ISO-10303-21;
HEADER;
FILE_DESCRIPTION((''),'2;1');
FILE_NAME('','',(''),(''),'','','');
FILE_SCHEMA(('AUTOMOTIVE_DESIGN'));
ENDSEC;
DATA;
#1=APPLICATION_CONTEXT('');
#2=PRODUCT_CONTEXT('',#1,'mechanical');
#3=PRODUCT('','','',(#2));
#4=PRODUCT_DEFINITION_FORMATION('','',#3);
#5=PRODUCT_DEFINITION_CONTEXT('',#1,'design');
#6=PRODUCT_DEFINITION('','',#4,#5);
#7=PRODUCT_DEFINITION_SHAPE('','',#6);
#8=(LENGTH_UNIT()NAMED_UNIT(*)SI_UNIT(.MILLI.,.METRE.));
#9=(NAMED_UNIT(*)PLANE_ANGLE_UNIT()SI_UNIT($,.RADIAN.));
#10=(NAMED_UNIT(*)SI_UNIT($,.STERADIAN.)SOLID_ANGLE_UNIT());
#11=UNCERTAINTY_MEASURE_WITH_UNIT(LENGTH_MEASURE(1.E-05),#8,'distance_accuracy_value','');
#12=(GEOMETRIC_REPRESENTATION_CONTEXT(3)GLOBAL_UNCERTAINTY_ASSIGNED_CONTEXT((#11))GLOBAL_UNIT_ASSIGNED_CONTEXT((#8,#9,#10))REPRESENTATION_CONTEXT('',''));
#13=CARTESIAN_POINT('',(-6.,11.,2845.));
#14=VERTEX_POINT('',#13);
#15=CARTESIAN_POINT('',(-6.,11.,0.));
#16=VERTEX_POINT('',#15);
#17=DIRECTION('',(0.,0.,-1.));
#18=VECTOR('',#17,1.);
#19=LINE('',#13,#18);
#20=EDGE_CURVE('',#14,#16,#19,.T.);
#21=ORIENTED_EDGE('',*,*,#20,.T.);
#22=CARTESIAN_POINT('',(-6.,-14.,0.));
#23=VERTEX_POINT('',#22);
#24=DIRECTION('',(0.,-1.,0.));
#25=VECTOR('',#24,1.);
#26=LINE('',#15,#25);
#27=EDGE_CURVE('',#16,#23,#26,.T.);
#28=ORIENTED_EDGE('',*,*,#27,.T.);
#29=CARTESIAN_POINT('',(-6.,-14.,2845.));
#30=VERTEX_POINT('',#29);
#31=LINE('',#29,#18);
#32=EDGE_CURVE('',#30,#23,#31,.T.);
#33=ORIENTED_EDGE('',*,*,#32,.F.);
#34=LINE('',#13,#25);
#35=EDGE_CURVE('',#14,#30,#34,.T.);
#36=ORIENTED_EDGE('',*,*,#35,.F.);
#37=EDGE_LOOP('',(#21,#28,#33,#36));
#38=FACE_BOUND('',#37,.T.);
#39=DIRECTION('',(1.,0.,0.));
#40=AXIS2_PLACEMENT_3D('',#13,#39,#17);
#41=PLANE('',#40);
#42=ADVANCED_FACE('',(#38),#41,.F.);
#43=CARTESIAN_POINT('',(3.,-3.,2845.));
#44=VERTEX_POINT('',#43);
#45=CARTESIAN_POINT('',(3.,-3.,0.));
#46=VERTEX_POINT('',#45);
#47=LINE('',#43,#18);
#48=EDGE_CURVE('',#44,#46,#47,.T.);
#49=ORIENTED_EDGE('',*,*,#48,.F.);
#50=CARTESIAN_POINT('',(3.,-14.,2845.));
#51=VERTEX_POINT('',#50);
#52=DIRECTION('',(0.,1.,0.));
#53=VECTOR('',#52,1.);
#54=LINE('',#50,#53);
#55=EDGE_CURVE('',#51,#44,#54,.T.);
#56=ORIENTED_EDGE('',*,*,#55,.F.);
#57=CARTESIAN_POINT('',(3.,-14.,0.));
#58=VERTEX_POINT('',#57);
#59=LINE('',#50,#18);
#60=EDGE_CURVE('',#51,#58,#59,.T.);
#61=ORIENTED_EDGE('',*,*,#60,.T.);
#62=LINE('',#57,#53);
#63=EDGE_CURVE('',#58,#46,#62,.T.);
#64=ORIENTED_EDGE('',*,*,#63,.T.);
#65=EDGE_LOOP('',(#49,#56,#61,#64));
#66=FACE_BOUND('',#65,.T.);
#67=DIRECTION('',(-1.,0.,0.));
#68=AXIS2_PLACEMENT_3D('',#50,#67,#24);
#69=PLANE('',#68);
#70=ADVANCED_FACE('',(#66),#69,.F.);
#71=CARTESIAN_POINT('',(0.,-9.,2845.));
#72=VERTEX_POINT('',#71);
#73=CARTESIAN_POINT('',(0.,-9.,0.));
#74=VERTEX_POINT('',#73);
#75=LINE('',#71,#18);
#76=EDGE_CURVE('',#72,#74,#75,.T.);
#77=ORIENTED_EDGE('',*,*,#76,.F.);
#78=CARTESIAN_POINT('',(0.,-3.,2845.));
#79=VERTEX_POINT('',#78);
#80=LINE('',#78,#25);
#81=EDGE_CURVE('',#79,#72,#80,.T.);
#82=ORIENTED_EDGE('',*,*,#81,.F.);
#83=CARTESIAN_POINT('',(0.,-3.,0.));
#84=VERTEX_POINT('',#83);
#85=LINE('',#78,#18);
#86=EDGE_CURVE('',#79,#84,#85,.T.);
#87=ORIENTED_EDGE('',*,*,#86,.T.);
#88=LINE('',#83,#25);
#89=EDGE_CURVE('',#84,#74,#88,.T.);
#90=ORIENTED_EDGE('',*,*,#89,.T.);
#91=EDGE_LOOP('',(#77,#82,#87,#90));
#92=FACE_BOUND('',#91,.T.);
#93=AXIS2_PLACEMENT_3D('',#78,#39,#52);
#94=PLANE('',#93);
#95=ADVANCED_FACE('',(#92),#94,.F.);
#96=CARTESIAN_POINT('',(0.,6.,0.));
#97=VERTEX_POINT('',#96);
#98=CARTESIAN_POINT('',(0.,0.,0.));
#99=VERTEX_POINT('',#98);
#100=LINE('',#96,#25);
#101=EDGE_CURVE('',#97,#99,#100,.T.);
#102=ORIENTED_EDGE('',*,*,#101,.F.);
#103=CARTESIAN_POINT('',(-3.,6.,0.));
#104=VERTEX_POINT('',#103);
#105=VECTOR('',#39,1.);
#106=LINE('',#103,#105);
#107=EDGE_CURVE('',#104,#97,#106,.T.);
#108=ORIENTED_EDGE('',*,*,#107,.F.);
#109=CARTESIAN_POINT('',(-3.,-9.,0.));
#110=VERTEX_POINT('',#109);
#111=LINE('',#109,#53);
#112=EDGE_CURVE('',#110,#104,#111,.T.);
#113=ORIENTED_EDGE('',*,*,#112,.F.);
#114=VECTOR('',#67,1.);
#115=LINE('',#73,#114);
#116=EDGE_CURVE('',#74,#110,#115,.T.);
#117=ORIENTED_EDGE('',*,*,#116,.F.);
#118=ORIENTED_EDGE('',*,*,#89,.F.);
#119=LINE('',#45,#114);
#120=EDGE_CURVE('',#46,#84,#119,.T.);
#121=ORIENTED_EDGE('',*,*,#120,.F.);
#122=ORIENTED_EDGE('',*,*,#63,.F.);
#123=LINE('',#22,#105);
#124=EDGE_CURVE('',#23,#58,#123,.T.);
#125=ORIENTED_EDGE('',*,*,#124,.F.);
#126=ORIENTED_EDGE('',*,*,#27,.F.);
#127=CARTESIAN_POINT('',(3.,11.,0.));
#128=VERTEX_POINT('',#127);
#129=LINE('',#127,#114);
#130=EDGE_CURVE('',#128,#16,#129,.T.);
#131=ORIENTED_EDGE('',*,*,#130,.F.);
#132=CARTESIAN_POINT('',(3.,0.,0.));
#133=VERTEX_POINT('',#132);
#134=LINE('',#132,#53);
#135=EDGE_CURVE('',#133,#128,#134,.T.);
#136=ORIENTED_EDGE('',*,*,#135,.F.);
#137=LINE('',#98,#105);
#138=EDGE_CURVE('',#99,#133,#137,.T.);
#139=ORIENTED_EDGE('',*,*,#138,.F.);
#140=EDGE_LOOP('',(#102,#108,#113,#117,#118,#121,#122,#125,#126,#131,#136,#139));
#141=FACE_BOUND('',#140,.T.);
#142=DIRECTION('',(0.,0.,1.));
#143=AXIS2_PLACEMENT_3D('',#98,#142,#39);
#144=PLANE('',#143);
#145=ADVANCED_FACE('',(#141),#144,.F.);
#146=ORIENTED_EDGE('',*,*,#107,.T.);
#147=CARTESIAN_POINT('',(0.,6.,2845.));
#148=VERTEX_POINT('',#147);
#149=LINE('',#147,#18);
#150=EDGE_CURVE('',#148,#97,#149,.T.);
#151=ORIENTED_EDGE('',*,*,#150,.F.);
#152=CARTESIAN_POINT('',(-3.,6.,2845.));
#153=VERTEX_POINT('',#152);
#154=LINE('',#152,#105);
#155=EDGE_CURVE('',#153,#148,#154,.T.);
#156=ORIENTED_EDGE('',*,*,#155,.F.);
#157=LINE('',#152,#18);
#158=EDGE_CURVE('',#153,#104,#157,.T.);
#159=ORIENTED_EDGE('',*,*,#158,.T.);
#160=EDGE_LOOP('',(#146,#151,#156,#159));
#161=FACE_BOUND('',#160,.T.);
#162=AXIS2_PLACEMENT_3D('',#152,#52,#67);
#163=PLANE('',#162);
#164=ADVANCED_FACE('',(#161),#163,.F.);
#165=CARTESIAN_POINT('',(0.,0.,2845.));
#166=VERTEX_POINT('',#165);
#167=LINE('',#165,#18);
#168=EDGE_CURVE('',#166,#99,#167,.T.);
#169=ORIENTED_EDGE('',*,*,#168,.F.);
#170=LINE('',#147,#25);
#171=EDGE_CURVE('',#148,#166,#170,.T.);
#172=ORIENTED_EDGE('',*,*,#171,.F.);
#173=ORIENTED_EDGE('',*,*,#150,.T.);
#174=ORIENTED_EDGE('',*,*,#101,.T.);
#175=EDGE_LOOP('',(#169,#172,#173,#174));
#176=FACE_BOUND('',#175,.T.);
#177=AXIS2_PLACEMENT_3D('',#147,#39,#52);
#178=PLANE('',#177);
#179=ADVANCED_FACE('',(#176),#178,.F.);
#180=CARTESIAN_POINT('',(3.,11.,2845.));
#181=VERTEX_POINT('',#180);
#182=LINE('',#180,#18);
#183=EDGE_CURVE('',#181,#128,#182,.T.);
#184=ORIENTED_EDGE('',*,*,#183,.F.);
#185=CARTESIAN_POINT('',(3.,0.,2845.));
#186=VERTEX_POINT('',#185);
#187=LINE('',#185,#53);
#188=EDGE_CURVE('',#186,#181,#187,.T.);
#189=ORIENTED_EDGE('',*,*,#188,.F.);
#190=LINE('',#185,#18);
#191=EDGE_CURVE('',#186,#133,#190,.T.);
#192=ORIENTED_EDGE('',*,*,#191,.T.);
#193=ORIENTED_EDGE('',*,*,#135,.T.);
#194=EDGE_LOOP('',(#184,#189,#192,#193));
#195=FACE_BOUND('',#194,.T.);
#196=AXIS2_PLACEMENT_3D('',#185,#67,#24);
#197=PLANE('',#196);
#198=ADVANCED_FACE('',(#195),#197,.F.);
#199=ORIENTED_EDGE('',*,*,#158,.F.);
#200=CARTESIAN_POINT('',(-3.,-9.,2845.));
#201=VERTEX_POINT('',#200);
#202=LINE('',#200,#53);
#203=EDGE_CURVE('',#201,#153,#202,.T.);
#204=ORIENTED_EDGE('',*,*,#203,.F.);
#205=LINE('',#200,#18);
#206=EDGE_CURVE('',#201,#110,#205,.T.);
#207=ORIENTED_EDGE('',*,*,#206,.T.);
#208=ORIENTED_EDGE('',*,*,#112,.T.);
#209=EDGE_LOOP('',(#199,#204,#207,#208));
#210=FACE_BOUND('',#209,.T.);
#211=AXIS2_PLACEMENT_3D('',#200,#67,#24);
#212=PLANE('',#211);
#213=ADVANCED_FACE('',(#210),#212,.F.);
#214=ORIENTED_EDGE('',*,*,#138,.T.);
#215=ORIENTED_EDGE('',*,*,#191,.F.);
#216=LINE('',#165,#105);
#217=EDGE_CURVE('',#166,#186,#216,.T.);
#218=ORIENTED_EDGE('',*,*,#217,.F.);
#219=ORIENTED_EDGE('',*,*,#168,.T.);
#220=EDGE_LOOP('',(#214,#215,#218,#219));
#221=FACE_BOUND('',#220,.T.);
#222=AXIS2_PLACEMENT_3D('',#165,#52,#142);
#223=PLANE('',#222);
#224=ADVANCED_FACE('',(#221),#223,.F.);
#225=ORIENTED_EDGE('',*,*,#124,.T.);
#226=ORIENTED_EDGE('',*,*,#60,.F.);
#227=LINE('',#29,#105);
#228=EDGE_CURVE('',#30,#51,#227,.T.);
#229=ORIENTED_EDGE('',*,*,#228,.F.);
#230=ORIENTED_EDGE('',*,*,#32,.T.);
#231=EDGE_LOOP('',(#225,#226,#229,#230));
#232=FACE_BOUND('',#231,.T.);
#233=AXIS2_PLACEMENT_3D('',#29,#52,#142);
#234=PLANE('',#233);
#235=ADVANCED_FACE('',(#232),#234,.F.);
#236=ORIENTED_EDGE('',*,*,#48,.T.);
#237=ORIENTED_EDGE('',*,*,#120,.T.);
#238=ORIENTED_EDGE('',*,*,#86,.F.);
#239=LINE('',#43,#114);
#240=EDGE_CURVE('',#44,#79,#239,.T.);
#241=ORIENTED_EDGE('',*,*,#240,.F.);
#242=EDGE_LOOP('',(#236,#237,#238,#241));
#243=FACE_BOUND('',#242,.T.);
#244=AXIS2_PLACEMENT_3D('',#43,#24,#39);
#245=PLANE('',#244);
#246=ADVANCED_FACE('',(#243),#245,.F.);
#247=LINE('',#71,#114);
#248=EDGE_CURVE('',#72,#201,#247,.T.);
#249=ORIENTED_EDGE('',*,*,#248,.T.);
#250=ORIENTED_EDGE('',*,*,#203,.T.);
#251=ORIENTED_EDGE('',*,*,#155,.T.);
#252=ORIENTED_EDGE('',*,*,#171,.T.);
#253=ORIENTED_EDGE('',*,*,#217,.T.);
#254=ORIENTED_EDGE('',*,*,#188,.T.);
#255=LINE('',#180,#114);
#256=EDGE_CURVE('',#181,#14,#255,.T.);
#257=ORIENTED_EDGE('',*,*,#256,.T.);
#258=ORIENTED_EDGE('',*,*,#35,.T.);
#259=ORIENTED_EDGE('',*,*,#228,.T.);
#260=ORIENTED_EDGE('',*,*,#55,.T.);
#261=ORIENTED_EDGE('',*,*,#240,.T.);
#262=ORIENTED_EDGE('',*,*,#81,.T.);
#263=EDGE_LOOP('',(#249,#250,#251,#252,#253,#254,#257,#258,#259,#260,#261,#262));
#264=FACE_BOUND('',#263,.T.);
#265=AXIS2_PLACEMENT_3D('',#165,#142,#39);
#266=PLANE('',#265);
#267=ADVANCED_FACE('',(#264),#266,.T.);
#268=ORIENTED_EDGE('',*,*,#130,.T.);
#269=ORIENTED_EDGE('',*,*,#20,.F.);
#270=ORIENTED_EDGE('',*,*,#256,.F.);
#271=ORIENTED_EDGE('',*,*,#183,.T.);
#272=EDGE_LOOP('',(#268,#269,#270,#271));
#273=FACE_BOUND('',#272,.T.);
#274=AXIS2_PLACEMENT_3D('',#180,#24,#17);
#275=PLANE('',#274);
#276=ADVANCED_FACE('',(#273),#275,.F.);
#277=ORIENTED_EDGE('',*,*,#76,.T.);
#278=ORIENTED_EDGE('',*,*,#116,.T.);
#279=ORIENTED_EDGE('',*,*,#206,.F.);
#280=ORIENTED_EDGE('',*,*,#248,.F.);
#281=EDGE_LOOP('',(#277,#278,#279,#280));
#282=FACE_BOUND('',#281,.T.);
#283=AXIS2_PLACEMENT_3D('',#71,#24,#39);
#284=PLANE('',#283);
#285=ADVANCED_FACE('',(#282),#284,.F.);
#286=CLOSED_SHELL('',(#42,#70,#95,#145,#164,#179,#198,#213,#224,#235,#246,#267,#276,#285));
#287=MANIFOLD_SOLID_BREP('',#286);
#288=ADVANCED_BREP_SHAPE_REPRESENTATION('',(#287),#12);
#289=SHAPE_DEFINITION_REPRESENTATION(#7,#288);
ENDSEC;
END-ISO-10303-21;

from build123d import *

# Parameters (mm, degrees)
BOSS_EXTRUDE1_DEPTH = 2845


with BuildPart() as part:
    # Sketch5 → Boss-Extrude1 (new body)
    with BuildSketch(Plane.XY):
        Polygon((0, 0), (3, 0), (3, 11), (-6, 11), (-6, -14), (3, -14), (3, -3), (0, -3), (0, -9), (-3, -9), (-3, 6), (0, 6), align=None)
    extrude(amount=BOSS_EXTRUDE1_DEPTH)


solid = part.part
